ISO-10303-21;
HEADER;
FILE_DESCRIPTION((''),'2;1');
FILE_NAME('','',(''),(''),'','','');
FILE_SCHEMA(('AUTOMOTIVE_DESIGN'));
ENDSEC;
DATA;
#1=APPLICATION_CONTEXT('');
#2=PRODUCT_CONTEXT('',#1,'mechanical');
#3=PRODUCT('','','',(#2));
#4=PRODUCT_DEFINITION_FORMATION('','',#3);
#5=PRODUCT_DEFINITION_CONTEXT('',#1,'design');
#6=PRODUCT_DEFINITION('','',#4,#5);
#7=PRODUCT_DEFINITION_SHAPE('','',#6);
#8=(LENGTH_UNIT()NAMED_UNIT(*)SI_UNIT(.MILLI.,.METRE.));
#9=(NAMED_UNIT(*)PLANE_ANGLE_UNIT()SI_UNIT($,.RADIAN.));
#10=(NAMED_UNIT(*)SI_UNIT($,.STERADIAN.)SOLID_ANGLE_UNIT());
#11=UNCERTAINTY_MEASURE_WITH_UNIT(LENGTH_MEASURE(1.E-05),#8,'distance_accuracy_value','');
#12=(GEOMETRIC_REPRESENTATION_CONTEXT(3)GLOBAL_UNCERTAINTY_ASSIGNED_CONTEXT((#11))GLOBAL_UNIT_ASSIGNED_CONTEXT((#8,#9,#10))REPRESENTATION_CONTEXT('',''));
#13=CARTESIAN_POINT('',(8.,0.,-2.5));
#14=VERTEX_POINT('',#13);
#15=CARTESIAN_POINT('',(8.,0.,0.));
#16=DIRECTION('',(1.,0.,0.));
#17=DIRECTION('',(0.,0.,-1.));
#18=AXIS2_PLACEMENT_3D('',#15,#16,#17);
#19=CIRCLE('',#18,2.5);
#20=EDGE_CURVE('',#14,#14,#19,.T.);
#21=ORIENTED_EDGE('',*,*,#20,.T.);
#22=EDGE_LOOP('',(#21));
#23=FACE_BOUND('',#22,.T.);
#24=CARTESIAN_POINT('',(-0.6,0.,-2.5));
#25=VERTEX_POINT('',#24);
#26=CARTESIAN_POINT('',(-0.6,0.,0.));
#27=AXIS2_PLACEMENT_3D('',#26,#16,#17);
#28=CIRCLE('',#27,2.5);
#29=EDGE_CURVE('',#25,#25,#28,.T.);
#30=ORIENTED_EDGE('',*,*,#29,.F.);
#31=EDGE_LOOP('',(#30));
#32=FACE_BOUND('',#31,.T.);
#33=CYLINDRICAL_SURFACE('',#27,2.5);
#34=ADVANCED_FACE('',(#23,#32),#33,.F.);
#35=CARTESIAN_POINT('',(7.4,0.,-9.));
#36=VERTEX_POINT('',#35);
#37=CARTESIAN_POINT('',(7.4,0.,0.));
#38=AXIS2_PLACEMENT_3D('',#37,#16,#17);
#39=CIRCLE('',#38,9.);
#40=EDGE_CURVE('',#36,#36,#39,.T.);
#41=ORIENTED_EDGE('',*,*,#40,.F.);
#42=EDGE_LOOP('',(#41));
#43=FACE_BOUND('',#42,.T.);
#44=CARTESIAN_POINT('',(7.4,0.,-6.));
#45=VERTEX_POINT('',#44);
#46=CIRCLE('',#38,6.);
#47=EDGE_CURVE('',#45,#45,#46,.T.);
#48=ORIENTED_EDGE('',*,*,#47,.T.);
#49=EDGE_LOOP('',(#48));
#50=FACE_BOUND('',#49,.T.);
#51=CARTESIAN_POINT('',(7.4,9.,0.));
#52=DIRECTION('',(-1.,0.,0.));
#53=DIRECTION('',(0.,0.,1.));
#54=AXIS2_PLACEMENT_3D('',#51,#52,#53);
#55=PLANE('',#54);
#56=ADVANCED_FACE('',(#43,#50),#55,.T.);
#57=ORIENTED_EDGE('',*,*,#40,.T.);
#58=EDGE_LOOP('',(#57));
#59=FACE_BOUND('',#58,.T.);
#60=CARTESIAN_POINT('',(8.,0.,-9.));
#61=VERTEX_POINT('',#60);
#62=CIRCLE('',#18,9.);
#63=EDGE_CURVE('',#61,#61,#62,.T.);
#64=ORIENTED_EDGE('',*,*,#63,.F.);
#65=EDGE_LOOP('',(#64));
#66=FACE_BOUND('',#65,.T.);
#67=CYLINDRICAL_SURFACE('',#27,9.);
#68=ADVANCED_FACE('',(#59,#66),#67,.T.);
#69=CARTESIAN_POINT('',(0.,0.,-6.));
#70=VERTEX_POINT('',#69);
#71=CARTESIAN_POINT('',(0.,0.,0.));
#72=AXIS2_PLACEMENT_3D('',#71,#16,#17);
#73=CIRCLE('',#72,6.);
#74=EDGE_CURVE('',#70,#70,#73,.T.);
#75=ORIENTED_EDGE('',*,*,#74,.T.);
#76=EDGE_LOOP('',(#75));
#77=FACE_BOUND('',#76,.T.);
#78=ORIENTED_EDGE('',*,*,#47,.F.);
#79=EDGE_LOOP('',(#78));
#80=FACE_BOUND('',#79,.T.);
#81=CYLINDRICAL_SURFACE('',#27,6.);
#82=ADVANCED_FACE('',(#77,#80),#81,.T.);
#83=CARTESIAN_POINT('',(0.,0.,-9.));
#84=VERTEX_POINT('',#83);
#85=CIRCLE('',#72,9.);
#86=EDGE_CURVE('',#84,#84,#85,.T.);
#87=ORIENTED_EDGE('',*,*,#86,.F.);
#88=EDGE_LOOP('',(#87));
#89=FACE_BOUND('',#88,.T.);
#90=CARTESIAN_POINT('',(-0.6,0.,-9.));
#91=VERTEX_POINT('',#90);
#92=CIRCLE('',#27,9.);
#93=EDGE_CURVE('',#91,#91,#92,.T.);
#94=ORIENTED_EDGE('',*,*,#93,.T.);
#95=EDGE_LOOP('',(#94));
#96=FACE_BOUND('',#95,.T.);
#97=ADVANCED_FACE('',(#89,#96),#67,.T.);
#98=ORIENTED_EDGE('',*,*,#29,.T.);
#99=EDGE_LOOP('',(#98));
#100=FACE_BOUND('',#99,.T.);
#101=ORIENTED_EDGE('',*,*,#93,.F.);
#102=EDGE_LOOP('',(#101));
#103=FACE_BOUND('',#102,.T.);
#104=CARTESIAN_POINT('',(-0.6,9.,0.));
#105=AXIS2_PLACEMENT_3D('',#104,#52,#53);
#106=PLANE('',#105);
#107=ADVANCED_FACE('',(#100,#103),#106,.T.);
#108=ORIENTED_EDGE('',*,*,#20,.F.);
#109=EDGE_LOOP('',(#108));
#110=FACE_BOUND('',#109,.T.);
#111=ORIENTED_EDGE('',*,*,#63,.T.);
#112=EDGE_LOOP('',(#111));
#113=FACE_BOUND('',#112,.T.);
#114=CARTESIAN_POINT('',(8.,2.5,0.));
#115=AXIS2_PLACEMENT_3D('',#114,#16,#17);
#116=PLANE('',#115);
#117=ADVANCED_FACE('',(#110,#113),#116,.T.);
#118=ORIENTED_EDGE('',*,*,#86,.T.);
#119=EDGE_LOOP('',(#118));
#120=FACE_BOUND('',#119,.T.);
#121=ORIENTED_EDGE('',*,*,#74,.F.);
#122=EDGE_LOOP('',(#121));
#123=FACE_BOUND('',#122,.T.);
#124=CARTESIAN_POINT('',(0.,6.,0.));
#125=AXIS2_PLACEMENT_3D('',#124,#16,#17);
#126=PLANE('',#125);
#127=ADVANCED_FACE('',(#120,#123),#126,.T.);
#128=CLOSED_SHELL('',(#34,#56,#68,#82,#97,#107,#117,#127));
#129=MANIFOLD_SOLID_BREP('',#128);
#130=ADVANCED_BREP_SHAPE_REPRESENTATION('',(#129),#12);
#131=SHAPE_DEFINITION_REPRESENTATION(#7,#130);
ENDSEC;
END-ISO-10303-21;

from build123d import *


with BuildPart() as part:
    # Sketch1 → Revolve1 (revolve)
    with BuildSketch(Plane.XY):
        Polygon((-0.6, 2.5), (8, 2.5), (8, 9), (7.4, 9), (7.4, 6), (0, 6), (0, 9), (-0.6, 9), align=None)
    revolve(axis=Axis((-0.6, 0, 0), (1, 0, 0)))


solid = part.part
